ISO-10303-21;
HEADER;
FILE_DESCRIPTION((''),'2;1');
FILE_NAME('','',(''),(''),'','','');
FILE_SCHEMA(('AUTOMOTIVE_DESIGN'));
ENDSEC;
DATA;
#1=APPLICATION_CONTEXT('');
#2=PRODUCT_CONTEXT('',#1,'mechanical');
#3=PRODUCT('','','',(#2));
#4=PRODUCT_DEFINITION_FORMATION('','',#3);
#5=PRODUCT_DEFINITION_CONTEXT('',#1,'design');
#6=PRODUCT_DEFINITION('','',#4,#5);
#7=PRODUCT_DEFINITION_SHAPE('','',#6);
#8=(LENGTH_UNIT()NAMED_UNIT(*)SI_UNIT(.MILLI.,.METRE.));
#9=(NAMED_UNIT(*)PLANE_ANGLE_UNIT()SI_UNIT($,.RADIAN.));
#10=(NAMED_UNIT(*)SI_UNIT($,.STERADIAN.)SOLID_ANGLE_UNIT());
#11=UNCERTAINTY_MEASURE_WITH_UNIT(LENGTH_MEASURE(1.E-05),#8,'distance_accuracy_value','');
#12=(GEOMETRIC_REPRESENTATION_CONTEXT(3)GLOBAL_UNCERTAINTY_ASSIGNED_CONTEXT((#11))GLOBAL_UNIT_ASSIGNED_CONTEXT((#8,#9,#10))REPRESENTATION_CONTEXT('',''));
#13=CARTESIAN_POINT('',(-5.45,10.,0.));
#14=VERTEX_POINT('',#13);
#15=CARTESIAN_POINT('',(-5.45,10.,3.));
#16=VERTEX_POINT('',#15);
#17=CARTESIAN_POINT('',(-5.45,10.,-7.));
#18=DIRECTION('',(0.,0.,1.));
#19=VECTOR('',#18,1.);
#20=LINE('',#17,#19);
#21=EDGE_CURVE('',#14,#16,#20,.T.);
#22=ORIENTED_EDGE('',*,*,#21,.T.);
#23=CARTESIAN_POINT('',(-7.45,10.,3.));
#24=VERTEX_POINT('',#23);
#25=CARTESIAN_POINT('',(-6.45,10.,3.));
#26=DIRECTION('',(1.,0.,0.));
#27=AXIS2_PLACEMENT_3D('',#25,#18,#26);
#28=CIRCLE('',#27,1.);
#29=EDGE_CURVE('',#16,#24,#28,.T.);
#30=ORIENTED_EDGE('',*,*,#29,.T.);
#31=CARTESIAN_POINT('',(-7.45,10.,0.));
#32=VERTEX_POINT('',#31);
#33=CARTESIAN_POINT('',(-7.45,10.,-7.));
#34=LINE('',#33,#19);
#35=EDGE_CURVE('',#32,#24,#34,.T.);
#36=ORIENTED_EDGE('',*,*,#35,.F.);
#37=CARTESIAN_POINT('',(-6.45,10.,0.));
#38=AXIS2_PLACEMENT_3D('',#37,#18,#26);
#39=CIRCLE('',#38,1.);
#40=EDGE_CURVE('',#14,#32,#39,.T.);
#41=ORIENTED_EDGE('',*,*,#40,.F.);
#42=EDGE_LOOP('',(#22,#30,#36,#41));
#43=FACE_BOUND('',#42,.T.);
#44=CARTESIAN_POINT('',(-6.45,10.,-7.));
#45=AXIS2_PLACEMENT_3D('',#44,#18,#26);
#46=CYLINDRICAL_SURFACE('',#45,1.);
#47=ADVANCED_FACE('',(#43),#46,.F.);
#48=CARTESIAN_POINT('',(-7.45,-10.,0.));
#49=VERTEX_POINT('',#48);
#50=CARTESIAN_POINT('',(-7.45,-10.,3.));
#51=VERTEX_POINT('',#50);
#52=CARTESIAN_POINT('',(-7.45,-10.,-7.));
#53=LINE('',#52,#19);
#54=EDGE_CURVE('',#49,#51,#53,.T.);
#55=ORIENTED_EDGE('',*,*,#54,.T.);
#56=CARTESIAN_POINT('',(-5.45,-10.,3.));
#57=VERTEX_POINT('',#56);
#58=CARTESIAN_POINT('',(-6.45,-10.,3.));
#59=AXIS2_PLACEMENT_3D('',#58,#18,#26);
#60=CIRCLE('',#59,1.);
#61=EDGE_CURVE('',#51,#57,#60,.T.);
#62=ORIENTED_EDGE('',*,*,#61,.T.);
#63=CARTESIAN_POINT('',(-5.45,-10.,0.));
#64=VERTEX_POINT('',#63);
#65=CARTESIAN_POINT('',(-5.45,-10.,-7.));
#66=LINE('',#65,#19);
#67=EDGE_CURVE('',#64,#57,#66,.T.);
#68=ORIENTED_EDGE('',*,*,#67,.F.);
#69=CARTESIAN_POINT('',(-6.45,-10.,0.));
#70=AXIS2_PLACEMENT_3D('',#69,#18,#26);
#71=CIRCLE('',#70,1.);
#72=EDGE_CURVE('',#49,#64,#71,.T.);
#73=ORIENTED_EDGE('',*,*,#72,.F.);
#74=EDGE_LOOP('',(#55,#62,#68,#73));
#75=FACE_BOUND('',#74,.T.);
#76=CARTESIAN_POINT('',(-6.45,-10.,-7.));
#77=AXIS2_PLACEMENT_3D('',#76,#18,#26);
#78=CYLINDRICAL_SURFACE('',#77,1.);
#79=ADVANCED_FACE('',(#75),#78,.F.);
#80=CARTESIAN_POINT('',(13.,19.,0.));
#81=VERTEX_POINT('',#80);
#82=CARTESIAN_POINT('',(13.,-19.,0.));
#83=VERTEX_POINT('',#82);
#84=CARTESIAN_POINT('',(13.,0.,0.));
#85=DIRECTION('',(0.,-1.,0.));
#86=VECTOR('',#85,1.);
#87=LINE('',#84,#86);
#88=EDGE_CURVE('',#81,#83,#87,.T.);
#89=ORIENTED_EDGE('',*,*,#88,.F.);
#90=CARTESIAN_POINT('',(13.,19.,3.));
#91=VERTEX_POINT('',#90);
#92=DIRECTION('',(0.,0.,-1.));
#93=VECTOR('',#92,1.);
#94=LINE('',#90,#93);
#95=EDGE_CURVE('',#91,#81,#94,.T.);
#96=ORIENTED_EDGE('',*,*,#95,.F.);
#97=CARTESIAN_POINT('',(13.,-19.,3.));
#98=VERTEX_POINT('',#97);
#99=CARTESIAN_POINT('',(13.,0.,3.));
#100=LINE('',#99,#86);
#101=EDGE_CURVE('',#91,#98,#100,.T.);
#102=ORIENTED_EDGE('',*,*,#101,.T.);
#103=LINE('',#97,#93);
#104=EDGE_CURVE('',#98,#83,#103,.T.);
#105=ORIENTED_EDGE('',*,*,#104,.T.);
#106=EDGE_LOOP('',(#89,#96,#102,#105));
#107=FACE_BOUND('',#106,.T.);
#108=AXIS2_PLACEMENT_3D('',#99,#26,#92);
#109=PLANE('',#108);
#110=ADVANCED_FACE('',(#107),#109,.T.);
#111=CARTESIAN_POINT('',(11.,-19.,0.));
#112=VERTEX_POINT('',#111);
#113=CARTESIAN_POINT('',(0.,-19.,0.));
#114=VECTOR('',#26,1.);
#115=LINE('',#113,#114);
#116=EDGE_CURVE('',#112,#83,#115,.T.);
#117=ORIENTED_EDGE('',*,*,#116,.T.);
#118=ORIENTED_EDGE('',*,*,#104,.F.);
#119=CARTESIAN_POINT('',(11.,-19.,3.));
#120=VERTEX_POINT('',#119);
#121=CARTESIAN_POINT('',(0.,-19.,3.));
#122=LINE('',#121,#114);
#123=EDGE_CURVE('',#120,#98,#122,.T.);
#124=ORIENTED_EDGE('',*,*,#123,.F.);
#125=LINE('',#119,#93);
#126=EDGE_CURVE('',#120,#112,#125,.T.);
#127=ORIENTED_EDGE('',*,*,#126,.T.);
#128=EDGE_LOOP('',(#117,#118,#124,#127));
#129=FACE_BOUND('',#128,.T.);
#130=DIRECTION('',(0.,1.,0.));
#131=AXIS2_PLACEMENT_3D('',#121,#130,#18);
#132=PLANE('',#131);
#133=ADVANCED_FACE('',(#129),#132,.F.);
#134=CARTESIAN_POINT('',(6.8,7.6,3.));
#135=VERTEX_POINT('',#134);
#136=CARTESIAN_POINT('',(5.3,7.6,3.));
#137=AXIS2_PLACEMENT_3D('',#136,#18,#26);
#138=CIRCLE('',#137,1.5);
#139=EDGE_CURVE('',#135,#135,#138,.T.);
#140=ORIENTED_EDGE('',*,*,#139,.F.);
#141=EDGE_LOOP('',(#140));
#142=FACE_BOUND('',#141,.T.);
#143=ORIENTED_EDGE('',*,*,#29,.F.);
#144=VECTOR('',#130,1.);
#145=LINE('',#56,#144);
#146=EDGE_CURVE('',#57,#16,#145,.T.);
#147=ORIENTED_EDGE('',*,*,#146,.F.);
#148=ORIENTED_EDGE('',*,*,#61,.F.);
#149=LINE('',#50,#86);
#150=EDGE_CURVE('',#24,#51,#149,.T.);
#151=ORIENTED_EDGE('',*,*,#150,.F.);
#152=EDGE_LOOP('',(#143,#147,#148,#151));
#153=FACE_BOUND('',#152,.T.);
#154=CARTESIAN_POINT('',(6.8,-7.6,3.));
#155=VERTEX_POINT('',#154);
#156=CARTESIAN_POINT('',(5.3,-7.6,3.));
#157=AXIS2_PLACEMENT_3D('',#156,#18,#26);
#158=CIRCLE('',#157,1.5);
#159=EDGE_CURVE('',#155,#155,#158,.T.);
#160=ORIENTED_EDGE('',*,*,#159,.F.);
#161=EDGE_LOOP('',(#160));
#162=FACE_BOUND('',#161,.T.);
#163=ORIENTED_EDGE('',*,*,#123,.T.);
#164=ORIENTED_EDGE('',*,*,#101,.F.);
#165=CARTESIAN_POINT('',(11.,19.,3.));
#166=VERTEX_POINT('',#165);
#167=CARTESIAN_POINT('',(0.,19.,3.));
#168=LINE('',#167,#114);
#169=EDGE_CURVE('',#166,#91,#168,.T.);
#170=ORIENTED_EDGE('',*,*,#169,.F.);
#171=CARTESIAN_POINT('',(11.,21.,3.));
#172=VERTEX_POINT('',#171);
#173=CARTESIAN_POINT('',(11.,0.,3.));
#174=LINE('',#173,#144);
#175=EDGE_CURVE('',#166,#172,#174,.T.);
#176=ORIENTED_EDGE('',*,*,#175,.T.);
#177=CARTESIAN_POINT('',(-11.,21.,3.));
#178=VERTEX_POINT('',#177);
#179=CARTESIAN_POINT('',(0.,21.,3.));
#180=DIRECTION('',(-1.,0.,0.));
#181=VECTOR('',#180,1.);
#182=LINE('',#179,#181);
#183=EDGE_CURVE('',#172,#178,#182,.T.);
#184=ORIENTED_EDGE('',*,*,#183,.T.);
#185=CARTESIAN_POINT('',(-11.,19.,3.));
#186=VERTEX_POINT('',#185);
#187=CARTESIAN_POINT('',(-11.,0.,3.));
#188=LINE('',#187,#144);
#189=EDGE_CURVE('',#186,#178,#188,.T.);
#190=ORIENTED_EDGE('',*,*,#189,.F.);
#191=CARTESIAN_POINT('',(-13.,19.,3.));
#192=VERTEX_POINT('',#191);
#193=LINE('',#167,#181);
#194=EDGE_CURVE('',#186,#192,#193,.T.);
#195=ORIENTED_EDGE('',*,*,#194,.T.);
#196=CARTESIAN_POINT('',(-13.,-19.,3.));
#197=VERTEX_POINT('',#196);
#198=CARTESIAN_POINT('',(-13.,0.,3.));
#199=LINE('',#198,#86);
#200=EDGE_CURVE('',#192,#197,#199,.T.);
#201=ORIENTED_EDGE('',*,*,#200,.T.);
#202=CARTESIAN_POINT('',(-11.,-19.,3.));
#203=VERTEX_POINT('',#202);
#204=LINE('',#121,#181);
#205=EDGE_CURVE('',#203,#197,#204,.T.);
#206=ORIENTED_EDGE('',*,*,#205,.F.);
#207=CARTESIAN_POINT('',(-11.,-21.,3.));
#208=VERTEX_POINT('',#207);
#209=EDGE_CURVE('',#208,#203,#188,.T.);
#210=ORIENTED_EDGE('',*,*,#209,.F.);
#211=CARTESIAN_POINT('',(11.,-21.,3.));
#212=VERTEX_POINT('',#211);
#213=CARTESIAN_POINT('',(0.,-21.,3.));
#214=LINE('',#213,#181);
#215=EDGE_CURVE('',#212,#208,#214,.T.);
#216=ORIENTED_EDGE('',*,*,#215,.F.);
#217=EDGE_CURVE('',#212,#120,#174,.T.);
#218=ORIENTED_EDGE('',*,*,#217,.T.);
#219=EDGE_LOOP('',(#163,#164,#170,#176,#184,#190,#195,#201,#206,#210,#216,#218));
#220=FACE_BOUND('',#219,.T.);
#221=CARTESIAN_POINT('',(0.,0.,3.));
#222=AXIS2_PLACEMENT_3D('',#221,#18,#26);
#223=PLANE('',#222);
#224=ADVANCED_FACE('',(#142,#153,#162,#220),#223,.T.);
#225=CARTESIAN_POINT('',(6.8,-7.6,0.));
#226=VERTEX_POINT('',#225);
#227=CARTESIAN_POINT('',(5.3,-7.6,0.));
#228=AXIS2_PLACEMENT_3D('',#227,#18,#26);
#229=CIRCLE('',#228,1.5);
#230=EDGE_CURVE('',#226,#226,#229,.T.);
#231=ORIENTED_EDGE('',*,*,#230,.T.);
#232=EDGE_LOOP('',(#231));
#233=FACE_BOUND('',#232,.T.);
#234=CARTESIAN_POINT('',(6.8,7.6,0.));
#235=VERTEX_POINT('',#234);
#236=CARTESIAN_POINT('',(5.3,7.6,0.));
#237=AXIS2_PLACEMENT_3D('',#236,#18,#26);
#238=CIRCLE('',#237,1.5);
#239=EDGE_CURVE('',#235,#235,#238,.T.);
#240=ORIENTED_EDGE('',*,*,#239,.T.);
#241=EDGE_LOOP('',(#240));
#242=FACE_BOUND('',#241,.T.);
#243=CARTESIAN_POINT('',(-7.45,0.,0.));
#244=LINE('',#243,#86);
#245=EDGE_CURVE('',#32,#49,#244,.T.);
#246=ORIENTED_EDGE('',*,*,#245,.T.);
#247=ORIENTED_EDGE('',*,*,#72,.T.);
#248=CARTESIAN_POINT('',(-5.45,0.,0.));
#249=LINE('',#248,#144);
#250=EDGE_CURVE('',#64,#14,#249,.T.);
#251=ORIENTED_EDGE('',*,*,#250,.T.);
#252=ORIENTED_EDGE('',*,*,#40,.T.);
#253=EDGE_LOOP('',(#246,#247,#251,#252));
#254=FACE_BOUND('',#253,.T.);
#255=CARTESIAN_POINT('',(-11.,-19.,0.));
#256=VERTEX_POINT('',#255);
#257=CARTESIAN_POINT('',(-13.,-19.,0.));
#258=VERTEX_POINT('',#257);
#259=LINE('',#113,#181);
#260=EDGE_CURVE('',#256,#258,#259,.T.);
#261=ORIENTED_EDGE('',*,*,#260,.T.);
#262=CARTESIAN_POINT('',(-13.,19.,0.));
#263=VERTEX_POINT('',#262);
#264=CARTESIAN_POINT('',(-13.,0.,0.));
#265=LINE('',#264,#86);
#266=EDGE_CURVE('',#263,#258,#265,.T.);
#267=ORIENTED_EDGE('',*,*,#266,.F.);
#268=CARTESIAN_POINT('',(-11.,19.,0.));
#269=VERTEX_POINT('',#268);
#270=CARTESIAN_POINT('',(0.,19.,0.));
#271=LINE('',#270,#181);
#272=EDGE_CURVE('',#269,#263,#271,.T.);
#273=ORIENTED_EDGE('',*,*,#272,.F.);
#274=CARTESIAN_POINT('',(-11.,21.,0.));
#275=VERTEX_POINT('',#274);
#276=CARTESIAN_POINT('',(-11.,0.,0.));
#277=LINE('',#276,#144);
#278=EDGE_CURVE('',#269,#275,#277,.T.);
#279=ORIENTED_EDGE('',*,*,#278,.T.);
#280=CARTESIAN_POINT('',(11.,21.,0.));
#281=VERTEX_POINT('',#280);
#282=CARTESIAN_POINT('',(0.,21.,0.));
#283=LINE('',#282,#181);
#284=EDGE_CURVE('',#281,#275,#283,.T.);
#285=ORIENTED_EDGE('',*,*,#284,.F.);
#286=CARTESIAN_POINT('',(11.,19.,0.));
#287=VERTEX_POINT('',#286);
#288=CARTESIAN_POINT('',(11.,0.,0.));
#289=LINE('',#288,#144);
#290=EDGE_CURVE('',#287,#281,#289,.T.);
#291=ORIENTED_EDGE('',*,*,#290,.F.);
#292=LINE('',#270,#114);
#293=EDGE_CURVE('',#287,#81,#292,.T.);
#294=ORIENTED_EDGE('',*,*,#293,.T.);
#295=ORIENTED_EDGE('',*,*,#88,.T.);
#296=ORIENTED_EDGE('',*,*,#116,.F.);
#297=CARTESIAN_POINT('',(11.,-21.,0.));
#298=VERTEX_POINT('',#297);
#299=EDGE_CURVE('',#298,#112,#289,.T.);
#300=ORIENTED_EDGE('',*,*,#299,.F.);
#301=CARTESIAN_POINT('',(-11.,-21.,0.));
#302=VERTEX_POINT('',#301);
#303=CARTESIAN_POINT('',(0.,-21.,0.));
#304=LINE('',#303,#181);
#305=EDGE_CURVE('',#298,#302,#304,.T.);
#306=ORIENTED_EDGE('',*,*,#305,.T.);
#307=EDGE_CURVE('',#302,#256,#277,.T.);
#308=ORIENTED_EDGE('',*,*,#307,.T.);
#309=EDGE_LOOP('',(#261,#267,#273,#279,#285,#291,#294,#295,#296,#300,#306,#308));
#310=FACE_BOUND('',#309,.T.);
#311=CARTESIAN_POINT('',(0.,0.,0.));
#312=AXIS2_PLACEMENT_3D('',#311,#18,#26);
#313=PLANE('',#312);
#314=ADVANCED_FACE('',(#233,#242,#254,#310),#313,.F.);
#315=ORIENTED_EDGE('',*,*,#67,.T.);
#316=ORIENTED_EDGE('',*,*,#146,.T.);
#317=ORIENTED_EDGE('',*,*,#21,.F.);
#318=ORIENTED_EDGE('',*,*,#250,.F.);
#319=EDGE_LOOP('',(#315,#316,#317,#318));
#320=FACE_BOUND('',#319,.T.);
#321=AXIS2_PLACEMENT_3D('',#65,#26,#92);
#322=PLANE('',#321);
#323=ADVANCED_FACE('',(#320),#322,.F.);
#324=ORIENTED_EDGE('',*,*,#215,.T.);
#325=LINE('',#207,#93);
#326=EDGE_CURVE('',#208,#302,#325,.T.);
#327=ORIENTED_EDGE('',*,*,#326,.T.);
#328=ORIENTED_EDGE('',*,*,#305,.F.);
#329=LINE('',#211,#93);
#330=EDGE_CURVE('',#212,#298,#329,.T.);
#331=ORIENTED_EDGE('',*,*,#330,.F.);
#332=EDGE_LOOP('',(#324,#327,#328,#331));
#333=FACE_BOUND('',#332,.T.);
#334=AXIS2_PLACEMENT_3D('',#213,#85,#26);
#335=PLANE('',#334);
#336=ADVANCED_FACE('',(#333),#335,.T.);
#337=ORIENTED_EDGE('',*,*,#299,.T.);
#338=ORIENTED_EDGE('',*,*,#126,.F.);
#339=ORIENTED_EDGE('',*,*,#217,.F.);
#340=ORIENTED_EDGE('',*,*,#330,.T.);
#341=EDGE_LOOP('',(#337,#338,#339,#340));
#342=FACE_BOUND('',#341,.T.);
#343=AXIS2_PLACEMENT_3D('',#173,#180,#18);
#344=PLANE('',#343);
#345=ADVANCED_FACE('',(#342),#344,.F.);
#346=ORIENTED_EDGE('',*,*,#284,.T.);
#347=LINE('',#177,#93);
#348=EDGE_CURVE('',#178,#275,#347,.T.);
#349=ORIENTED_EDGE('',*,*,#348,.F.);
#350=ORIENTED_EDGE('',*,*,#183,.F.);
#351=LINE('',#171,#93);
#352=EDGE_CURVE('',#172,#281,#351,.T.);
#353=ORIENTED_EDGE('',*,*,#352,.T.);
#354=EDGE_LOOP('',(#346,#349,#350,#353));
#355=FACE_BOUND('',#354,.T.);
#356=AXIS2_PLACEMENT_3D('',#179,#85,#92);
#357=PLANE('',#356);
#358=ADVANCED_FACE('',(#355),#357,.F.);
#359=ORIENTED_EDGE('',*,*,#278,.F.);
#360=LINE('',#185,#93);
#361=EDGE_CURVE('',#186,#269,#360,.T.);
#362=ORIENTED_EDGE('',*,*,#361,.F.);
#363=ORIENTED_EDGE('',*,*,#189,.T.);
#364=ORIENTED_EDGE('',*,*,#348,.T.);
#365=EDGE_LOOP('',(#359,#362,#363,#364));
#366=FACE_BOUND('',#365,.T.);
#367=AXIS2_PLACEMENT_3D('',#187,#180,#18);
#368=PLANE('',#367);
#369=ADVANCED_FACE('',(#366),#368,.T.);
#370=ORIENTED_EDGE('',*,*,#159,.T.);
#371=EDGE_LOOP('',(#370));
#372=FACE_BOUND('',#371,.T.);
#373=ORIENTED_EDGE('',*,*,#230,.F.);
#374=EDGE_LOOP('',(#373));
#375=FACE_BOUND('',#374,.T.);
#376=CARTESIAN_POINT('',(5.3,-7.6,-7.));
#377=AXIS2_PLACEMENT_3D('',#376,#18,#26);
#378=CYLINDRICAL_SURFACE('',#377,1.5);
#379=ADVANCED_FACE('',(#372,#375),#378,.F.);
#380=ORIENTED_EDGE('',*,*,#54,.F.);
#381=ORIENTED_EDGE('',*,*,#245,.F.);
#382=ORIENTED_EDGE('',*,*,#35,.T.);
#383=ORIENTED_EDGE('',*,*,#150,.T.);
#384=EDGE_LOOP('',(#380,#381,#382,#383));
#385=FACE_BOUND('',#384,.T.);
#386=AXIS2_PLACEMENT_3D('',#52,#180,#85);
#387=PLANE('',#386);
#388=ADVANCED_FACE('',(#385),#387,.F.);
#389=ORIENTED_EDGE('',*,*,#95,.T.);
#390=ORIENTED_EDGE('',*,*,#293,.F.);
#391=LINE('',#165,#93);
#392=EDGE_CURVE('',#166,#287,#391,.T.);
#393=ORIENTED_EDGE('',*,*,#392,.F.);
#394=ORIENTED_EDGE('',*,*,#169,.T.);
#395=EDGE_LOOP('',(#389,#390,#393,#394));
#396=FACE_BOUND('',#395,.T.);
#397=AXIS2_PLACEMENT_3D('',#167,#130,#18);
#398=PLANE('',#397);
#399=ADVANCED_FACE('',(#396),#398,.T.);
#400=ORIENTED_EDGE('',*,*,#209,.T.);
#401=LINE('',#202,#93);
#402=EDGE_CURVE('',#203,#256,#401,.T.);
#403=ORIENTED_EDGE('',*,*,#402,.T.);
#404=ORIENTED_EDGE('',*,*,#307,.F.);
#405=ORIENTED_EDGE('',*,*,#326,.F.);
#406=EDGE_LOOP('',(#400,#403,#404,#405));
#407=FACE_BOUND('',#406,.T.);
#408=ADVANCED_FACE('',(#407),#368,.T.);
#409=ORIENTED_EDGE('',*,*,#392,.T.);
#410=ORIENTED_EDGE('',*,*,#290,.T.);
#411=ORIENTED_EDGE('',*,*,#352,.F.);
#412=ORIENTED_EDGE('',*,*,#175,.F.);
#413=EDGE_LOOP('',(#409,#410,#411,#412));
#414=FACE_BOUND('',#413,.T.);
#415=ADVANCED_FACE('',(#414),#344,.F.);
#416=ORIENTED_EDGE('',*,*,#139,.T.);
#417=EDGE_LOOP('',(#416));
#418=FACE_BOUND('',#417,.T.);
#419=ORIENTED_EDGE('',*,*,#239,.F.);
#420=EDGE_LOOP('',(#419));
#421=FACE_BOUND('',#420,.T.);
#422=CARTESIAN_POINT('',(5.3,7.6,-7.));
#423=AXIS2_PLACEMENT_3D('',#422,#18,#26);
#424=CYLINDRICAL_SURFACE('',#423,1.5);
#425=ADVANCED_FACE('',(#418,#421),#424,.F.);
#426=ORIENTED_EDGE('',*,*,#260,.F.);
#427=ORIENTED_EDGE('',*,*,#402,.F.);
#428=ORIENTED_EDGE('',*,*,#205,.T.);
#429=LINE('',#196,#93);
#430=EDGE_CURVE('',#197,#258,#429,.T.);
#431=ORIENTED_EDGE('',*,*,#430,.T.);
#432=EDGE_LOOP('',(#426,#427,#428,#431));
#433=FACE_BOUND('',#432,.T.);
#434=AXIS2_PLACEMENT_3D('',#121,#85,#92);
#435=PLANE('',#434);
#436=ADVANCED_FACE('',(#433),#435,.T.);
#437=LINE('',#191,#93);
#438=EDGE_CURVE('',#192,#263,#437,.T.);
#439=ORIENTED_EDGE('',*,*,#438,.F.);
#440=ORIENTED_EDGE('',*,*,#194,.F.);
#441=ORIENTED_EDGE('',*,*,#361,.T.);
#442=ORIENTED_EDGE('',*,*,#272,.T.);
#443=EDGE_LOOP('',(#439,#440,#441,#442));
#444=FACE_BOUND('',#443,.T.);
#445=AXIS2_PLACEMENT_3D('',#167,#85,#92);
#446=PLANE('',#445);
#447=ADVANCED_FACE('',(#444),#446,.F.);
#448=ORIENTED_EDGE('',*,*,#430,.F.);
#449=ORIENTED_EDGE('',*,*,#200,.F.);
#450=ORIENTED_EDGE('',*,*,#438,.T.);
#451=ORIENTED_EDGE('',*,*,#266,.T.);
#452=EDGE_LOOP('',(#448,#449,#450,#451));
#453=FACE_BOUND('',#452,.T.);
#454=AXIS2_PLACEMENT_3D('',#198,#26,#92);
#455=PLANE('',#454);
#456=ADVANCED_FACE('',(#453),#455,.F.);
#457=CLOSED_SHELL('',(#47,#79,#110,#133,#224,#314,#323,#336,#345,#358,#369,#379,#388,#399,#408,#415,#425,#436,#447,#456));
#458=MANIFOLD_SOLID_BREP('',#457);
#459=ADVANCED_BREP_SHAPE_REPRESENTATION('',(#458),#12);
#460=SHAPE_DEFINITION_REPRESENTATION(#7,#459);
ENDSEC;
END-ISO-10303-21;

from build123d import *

# Parameters (mm, degrees)
SKETCH_1_W          = 22
SKETCH_1_H          = 42
SKETCH_1_W_2        = 2
SKETCH_1_H_2        = 38
EXTRUDE_1_DEPTH     = 3
SKETCH_2_R          = 1.5
CUT_EXTRUDE_1_DEPTH = 10


with BuildPart() as part:
    # 草图1 → 凸台-拉伸1 (new body)
    with BuildSketch(Plane.XY):
        Rectangle(SKETCH_1_W, SKETCH_1_H)
        with Locations((-12, 0)):
            Rectangle(SKETCH_1_W_2, SKETCH_1_H_2)
        with Locations((12, 0)):
            Rectangle(SKETCH_1_W_2, SKETCH_1_H_2)
    extrude(amount=EXTRUDE_1_DEPTH)

    # 草图2 → 切除-拉伸1 (cut)
    with BuildSketch(Plane.XY.offset(3)):
        with Locations((5.3, -7.6)):
            Circle(SKETCH_2_R)
        with Locations((5.3, 7.6)):
            Circle(SKETCH_2_R)
        with BuildLine():
            Line((-7.45, -10), (-7.45, 10))
            ThreePointArc((-7.45, 10), (-6.45, 11), (-5.45, 10))
            Line((-5.45, 10), (-5.45, -10))
            ThreePointArc((-5.45, -10), (-6.45, -11), (-7.45, -10))
        make_face()
    extrude(amount=-CUT_EXTRUDE_1_DEPTH, mode=Mode.SUBTRACT)


solid = part.part
